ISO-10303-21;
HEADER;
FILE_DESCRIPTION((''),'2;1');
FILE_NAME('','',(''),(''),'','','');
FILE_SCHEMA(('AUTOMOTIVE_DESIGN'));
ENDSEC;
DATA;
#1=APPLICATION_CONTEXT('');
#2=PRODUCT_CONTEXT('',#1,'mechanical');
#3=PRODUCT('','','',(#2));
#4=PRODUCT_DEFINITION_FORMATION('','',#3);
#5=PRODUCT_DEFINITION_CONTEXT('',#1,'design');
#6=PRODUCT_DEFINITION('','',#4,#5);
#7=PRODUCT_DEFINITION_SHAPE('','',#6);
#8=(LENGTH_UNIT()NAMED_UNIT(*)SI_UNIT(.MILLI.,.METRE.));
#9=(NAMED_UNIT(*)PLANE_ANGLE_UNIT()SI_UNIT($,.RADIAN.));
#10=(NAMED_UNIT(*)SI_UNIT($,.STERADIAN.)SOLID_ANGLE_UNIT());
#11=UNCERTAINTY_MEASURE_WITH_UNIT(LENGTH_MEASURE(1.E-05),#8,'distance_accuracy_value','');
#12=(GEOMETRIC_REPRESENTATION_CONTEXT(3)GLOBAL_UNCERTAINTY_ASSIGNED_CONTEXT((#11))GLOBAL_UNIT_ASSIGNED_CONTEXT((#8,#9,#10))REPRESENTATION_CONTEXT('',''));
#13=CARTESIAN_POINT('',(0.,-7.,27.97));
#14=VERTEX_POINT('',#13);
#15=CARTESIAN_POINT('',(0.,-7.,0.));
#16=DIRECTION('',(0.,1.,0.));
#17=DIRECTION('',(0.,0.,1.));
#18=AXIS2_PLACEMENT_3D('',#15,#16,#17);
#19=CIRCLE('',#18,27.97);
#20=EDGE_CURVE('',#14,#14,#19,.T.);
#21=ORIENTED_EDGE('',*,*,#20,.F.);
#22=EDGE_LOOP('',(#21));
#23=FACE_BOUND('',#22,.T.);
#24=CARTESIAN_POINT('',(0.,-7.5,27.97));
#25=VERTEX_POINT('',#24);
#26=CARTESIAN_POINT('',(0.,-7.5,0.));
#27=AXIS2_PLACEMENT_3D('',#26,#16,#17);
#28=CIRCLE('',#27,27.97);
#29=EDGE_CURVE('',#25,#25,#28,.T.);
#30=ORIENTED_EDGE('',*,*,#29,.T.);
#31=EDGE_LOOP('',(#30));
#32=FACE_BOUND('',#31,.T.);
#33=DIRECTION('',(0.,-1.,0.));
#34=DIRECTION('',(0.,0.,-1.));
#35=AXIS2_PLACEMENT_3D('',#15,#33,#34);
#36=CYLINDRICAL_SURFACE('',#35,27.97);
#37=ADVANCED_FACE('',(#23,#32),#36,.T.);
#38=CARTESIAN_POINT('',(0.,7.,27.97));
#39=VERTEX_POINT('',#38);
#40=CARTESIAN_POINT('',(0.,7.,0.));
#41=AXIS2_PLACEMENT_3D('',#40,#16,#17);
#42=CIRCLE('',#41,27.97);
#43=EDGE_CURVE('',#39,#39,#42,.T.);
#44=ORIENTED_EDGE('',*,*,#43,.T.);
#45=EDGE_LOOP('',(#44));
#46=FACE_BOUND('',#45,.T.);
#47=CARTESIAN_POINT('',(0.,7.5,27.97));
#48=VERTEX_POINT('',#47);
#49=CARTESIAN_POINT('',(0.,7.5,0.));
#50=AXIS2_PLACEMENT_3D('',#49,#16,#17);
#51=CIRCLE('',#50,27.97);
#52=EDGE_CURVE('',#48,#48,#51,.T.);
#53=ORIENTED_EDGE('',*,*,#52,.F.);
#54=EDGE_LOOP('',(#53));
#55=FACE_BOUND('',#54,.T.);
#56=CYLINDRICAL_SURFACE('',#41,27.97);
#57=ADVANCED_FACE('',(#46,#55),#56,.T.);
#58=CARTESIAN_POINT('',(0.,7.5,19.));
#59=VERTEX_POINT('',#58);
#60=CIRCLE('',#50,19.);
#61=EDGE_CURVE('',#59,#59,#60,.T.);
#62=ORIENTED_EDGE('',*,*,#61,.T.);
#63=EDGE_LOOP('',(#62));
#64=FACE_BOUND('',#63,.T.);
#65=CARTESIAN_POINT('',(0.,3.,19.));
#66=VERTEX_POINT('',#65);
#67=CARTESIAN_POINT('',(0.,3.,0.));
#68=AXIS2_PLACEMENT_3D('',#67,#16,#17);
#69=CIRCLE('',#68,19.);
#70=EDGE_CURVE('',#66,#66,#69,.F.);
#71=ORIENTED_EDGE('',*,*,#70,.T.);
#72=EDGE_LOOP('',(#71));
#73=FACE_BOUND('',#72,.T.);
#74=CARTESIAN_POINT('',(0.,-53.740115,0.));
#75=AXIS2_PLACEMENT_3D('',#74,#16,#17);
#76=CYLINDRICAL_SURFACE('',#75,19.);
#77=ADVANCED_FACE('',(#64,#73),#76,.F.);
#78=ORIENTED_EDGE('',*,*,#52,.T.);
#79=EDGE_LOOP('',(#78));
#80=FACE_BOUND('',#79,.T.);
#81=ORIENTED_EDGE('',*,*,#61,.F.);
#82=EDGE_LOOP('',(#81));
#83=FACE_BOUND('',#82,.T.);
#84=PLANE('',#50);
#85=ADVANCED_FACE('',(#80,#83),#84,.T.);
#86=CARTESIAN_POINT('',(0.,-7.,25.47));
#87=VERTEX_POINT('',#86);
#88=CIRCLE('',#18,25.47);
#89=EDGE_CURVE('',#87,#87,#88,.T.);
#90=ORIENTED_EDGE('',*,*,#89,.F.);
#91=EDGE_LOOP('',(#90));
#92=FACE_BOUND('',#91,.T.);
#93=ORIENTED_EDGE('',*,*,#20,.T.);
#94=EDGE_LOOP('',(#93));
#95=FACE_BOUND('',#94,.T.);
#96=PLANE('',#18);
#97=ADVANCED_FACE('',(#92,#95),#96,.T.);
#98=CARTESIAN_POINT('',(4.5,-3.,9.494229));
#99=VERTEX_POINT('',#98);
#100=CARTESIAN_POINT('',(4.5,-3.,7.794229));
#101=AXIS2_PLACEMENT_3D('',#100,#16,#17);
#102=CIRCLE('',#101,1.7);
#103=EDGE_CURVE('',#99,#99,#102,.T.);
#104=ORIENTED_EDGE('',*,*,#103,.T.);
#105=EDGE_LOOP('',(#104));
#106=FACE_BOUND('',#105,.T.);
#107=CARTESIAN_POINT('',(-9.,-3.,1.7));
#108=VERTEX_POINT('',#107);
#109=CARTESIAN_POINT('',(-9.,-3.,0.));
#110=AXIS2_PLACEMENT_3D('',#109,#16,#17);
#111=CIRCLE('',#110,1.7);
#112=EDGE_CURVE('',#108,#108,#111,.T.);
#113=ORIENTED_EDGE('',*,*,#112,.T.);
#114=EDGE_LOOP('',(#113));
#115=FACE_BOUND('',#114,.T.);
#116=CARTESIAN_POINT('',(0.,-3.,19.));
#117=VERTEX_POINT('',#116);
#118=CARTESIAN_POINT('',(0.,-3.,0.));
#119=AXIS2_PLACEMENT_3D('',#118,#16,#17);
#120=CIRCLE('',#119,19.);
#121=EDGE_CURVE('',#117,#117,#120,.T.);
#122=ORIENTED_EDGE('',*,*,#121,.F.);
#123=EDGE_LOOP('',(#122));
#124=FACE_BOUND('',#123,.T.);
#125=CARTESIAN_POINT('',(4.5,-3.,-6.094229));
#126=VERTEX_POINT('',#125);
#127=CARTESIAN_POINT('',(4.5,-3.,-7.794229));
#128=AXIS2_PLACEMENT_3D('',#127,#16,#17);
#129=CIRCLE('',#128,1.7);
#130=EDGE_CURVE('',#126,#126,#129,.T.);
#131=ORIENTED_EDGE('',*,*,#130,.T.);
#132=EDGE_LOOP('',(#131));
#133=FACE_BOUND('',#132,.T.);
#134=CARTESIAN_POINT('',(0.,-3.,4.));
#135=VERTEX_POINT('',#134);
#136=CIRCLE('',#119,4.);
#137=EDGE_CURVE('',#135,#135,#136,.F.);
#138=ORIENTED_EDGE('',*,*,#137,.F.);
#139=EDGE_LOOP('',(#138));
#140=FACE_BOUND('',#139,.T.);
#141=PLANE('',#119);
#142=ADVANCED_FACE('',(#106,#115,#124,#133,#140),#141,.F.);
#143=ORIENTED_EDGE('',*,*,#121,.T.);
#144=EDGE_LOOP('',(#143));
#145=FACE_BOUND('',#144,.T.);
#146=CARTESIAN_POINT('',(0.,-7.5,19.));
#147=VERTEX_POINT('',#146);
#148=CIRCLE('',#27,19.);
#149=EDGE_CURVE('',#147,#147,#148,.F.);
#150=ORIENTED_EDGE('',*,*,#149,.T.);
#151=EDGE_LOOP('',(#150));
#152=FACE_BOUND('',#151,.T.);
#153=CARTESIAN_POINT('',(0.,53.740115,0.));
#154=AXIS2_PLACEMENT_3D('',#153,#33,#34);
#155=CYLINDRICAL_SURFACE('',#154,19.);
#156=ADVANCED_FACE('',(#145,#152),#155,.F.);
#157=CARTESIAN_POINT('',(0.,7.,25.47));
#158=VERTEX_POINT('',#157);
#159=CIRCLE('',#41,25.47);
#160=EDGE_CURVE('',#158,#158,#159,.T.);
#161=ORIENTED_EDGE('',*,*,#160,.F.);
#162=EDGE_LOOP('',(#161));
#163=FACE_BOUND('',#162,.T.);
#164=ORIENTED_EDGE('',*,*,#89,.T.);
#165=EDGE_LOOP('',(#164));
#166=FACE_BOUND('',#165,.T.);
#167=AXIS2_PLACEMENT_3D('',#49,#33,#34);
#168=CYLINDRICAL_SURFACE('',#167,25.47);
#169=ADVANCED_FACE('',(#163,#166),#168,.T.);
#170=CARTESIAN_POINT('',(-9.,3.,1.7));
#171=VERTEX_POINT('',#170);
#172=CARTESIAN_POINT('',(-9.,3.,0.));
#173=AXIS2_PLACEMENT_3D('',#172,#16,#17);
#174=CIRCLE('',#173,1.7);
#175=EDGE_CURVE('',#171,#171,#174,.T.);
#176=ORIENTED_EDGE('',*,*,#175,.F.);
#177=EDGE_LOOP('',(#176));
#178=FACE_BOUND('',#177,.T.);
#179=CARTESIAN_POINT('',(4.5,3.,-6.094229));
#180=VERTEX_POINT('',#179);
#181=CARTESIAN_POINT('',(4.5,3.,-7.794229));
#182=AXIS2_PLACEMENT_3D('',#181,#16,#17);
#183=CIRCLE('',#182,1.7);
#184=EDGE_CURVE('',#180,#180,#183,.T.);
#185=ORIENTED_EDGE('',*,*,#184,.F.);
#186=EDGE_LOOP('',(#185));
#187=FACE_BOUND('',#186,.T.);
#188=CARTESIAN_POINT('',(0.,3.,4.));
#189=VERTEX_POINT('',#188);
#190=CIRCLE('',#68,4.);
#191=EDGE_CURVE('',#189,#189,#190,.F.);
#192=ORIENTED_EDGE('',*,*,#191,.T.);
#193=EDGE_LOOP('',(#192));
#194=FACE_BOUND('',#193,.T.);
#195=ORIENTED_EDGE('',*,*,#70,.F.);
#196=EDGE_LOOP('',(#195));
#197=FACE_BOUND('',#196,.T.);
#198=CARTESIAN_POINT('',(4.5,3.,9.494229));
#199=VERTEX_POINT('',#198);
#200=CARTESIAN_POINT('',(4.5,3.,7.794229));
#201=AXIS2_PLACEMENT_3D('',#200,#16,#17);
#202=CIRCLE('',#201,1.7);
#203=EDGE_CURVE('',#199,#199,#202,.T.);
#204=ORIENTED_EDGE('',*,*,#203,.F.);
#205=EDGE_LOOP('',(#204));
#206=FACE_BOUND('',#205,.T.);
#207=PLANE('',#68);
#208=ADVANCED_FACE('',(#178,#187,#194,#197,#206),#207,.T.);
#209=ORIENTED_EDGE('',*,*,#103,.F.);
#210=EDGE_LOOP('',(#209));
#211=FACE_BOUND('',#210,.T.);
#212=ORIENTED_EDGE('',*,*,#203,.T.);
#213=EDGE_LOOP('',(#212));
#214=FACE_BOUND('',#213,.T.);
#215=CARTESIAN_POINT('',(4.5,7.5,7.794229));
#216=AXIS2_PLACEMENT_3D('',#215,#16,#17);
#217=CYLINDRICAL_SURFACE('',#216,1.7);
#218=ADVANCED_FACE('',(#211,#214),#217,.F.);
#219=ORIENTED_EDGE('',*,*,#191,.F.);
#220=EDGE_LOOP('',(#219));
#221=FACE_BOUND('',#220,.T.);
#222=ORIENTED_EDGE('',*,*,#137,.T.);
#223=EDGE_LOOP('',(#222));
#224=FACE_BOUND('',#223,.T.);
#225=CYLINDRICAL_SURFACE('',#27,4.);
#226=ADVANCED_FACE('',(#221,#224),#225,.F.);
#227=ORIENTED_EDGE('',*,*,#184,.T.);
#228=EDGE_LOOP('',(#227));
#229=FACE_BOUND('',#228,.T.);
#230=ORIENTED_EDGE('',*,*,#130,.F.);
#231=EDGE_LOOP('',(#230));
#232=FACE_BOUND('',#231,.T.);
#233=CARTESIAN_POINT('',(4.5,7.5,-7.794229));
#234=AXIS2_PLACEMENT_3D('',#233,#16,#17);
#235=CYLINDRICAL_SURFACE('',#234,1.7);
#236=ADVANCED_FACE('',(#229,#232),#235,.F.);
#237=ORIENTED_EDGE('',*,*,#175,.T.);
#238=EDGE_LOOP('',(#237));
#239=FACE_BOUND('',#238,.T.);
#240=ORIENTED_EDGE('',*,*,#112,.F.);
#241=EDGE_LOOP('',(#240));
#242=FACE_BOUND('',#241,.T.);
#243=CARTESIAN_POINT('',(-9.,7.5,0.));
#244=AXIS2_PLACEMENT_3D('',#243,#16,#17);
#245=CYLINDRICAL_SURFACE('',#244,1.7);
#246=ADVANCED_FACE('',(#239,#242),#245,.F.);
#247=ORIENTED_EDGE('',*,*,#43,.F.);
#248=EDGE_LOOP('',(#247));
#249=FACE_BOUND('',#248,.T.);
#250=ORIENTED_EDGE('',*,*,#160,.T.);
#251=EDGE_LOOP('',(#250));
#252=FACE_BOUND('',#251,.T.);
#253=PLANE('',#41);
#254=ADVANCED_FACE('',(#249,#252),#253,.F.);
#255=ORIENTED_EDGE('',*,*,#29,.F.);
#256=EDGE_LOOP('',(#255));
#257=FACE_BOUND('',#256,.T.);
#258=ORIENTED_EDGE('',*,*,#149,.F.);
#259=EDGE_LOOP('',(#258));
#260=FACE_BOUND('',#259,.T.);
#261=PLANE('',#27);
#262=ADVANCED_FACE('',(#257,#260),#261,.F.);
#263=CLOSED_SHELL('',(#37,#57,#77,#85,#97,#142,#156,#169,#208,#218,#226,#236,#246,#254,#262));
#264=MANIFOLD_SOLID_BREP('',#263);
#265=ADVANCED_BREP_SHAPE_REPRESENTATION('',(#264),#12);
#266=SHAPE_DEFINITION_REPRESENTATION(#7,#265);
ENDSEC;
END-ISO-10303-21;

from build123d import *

# Parameters (mm, degrees)
CROQUIS1_R                   = 25.47
SALIENTE_EXTRUIR1_DEPTH      = 7.5
CROQUIS2_R                   = 27.97
SALIENTE_EXTRUIR2_DEPTH      = 0.5
SALIENTE_EXTRUIR3_START      = -14.5
CROQUIS2_2_R                 = 27.97
SALIENTE_EXTRUIR3_DEPTH      = 0.5
CROQUIS3_R                   = 19
SALIENTE_EXTRUIR4_DEPTH      = 21
CORTAR_EXTRUIR1_DEPTH        = 45.552124528
CORTAR_EXTRUIR1_DEPTH_BACK   = 45.552124528
CROQUIS4_R                   = 4
CORTAR_EXTRUIR2_START        = -10.5
CROQUIS5_R                   = 19
CORTAR_EXTRUIR2_DEPTH        = 10.5
TALADRO_DE_MARGEN_PARA_M31_D = 3.4


with BuildPart() as part:
    # Croquis1 → Saliente-Extruir1 (new, symmetric)
    with BuildSketch(Plane(origin=(0, 0, 0), x_dir=(-1, 0, 0), z_dir=(0, 1, 0))):
        with Locations(Location((0, 0, 0), (0, 0, 90))):
            Circle(CROQUIS1_R)
    extrude(amount=SALIENTE_EXTRUIR1_DEPTH, both=True)

    # Croquis2 → Saliente-Extruir2 (add)
    with BuildSketch(Plane(origin=(0, 7.5, 0), x_dir=(-1, 0, 0), z_dir=(0, 1, 0))):
        with Locations(Location((0, 0, 0), (0, 0, 90))):
            Circle(CROQUIS2_R)
    extrude(amount=-SALIENTE_EXTRUIR2_DEPTH)

    # Croquis2<2> → Saliente-Extruir3 (add)
    with BuildSketch(Plane(origin=(0, 7.5, 0), x_dir=(-1, 0, 0), z_dir=(0, 1, 0)).offset(SALIENTE_EXTRUIR3_START)):
        with Locations(Location((0, 0, 0), (0, 0, 90))):
            Circle(CROQUIS2_2_R)
    extrude(amount=-SALIENTE_EXTRUIR3_DEPTH)

    # Croquis3 → Saliente-Extruir4 (add)
    with BuildSketch(Plane(origin=(0, -7.5, 0), x_dir=(-1, 0, 0), z_dir=(0, 1, 0))):
        with Locations(Location((0, 0, 0), (0, 0, 270))):
            Circle(CROQUIS3_R)
    extrude(amount=SALIENTE_EXTRUIR4_DEPTH)

    # Croquis4 → Cortar-Extruir1 (cut, two sides: drawn at the far end of the back side and taken through both)
    with BuildSketch(Plane(origin=(0, -7, 0), x_dir=(-1, 0, 0), z_dir=(0, 1, 0)).offset(-CORTAR_EXTRUIR1_DEPTH_BACK)):
        with Locations(Location((0, 0, 0), (0, 0, 90))):
            Circle(CROQUIS4_R)
    extrude(amount=CORTAR_EXTRUIR1_DEPTH + CORTAR_EXTRUIR1_DEPTH_BACK, mode=Mode.SUBTRACT)

    # Croquis5 → Cortar-Extruir2 (cut)
    with BuildSketch(Plane(origin=(0, 13.5, 0), x_dir=(-1, 0, 0), z_dir=(0, 1, 0)).offset(CORTAR_EXTRUIR2_START)):
        with Locations(Location((0, 0, 0), (0, 0, 90))):
            Circle(CROQUIS5_R)
    cortar_extruir2 = extrude(amount=CORTAR_EXTRUIR2_DEPTH, mode=Mode.SUBTRACT)

    # Simetría1: Cortar-Extruir2 across plane
    add(cortar_extruir2.mirror(Plane.ZX), mode=Mode.SUBTRACT)

    # Taladro de margen para M31 (through all)
    with Locations(Plane(origin=(0, 7.5, 0), x_dir=(-1, 0, 0), z_dir=(0, 1, 0))):
        with Locations((0, 0), (9, 0), (-4.5, -7.794228634), (-4.5, 7.794228634)):
            Hole(TALADRO_DE_MARGEN_PARA_M31_D / 2)


solid = part.part
